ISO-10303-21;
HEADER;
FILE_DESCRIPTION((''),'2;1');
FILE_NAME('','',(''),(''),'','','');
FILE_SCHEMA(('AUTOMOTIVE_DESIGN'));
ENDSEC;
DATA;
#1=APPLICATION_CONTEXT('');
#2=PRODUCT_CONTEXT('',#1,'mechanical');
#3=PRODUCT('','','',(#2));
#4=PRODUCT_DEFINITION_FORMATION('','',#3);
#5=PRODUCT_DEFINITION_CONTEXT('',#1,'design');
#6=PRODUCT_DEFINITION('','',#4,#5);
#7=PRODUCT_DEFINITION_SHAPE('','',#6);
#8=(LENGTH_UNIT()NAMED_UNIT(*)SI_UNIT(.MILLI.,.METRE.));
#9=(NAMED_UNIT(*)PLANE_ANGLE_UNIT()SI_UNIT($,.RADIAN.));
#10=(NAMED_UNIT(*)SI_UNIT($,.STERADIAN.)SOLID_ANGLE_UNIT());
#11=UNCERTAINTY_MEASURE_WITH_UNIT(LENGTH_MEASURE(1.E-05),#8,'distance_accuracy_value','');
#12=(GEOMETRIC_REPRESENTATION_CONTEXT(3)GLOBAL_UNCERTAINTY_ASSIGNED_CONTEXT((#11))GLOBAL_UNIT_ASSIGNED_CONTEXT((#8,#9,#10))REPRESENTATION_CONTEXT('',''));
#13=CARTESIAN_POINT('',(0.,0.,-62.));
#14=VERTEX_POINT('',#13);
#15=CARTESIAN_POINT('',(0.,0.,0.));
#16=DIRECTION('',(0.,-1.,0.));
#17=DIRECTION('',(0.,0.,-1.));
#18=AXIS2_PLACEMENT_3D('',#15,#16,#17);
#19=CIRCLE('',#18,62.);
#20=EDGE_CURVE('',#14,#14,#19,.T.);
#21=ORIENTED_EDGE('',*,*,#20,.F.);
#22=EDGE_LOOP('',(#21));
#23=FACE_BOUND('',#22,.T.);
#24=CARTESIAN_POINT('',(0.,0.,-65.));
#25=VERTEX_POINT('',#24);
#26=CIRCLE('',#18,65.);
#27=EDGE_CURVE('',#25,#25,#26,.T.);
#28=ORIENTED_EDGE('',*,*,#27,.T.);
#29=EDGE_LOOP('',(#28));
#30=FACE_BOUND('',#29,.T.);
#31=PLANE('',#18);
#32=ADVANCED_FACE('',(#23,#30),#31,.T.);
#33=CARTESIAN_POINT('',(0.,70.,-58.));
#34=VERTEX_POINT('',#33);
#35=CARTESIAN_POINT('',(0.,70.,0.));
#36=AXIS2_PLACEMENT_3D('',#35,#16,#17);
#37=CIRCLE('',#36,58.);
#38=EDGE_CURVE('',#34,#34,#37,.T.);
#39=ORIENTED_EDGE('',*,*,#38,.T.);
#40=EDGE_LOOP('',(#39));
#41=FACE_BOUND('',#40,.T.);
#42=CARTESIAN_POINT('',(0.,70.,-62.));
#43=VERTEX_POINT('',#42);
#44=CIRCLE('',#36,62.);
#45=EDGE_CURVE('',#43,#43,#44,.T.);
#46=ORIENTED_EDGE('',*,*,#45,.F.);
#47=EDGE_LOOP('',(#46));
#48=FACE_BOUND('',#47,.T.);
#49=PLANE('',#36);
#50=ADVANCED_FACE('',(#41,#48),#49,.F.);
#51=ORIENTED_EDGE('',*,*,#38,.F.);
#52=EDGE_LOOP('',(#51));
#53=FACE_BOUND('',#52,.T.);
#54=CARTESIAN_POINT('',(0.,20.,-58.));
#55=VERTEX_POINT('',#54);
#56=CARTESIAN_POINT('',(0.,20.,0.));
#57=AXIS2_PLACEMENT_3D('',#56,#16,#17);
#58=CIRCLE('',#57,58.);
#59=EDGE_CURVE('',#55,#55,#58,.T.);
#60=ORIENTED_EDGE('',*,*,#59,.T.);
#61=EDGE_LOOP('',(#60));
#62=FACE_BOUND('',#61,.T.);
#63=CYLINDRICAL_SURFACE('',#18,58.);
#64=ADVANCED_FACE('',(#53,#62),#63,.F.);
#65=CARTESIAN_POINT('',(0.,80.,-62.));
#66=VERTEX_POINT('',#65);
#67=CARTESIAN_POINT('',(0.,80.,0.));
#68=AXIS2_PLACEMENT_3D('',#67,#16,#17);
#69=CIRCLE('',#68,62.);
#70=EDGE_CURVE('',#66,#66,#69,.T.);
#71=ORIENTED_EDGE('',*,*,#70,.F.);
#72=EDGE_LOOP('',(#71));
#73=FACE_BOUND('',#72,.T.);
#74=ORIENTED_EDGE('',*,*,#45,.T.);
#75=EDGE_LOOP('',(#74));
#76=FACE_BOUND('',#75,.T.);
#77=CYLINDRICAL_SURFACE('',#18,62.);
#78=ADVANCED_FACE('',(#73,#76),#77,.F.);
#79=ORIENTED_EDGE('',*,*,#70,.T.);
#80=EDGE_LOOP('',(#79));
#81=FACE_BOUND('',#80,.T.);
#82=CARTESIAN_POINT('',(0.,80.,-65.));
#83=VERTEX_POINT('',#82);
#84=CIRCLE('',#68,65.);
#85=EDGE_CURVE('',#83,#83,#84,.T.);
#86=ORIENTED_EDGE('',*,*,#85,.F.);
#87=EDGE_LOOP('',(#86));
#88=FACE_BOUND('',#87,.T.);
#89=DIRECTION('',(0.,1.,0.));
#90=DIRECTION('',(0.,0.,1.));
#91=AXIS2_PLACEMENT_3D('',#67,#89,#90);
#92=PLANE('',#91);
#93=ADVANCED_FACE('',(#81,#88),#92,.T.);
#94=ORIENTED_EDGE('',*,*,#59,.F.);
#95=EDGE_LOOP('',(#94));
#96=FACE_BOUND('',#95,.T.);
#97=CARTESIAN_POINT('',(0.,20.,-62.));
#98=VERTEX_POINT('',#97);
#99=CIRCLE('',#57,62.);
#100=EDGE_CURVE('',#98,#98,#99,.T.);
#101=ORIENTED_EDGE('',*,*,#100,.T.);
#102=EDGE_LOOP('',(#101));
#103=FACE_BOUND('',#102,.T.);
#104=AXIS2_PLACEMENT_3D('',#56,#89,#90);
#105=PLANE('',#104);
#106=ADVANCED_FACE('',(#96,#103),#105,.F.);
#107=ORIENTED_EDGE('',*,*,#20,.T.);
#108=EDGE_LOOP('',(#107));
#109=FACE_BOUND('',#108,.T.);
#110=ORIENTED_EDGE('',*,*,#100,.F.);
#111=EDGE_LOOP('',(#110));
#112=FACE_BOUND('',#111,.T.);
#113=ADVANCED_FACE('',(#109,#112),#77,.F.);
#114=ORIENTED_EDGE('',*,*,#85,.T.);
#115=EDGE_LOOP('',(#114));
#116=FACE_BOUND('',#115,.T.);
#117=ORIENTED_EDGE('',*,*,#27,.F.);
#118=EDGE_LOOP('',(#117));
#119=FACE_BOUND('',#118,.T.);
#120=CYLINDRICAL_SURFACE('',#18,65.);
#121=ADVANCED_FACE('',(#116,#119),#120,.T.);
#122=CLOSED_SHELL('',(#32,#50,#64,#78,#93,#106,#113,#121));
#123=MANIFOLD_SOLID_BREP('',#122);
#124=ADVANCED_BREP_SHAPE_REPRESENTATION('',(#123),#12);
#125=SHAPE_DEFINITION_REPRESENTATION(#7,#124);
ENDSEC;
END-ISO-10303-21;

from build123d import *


with BuildPart() as part:
    # Szkic1 → Obrót1 (revolve)
    with BuildSketch(Plane.XY, mode=Mode.PRIVATE) as obr_t1_sk:
        Polygon((-65, 0), (-62, 0), (-62, 20), (-58, 20), (-58, 70), (-62, 70), (-62, 80), (-65, 80), (-65, 20), align=None)
    revolve(obr_t1_sk.sketch.rotate(Axis((0, 0, 0), (0, 1, 0)), 270), axis=Axis((0, 0, 0), (0, 1, 0)))


solid = part.part
